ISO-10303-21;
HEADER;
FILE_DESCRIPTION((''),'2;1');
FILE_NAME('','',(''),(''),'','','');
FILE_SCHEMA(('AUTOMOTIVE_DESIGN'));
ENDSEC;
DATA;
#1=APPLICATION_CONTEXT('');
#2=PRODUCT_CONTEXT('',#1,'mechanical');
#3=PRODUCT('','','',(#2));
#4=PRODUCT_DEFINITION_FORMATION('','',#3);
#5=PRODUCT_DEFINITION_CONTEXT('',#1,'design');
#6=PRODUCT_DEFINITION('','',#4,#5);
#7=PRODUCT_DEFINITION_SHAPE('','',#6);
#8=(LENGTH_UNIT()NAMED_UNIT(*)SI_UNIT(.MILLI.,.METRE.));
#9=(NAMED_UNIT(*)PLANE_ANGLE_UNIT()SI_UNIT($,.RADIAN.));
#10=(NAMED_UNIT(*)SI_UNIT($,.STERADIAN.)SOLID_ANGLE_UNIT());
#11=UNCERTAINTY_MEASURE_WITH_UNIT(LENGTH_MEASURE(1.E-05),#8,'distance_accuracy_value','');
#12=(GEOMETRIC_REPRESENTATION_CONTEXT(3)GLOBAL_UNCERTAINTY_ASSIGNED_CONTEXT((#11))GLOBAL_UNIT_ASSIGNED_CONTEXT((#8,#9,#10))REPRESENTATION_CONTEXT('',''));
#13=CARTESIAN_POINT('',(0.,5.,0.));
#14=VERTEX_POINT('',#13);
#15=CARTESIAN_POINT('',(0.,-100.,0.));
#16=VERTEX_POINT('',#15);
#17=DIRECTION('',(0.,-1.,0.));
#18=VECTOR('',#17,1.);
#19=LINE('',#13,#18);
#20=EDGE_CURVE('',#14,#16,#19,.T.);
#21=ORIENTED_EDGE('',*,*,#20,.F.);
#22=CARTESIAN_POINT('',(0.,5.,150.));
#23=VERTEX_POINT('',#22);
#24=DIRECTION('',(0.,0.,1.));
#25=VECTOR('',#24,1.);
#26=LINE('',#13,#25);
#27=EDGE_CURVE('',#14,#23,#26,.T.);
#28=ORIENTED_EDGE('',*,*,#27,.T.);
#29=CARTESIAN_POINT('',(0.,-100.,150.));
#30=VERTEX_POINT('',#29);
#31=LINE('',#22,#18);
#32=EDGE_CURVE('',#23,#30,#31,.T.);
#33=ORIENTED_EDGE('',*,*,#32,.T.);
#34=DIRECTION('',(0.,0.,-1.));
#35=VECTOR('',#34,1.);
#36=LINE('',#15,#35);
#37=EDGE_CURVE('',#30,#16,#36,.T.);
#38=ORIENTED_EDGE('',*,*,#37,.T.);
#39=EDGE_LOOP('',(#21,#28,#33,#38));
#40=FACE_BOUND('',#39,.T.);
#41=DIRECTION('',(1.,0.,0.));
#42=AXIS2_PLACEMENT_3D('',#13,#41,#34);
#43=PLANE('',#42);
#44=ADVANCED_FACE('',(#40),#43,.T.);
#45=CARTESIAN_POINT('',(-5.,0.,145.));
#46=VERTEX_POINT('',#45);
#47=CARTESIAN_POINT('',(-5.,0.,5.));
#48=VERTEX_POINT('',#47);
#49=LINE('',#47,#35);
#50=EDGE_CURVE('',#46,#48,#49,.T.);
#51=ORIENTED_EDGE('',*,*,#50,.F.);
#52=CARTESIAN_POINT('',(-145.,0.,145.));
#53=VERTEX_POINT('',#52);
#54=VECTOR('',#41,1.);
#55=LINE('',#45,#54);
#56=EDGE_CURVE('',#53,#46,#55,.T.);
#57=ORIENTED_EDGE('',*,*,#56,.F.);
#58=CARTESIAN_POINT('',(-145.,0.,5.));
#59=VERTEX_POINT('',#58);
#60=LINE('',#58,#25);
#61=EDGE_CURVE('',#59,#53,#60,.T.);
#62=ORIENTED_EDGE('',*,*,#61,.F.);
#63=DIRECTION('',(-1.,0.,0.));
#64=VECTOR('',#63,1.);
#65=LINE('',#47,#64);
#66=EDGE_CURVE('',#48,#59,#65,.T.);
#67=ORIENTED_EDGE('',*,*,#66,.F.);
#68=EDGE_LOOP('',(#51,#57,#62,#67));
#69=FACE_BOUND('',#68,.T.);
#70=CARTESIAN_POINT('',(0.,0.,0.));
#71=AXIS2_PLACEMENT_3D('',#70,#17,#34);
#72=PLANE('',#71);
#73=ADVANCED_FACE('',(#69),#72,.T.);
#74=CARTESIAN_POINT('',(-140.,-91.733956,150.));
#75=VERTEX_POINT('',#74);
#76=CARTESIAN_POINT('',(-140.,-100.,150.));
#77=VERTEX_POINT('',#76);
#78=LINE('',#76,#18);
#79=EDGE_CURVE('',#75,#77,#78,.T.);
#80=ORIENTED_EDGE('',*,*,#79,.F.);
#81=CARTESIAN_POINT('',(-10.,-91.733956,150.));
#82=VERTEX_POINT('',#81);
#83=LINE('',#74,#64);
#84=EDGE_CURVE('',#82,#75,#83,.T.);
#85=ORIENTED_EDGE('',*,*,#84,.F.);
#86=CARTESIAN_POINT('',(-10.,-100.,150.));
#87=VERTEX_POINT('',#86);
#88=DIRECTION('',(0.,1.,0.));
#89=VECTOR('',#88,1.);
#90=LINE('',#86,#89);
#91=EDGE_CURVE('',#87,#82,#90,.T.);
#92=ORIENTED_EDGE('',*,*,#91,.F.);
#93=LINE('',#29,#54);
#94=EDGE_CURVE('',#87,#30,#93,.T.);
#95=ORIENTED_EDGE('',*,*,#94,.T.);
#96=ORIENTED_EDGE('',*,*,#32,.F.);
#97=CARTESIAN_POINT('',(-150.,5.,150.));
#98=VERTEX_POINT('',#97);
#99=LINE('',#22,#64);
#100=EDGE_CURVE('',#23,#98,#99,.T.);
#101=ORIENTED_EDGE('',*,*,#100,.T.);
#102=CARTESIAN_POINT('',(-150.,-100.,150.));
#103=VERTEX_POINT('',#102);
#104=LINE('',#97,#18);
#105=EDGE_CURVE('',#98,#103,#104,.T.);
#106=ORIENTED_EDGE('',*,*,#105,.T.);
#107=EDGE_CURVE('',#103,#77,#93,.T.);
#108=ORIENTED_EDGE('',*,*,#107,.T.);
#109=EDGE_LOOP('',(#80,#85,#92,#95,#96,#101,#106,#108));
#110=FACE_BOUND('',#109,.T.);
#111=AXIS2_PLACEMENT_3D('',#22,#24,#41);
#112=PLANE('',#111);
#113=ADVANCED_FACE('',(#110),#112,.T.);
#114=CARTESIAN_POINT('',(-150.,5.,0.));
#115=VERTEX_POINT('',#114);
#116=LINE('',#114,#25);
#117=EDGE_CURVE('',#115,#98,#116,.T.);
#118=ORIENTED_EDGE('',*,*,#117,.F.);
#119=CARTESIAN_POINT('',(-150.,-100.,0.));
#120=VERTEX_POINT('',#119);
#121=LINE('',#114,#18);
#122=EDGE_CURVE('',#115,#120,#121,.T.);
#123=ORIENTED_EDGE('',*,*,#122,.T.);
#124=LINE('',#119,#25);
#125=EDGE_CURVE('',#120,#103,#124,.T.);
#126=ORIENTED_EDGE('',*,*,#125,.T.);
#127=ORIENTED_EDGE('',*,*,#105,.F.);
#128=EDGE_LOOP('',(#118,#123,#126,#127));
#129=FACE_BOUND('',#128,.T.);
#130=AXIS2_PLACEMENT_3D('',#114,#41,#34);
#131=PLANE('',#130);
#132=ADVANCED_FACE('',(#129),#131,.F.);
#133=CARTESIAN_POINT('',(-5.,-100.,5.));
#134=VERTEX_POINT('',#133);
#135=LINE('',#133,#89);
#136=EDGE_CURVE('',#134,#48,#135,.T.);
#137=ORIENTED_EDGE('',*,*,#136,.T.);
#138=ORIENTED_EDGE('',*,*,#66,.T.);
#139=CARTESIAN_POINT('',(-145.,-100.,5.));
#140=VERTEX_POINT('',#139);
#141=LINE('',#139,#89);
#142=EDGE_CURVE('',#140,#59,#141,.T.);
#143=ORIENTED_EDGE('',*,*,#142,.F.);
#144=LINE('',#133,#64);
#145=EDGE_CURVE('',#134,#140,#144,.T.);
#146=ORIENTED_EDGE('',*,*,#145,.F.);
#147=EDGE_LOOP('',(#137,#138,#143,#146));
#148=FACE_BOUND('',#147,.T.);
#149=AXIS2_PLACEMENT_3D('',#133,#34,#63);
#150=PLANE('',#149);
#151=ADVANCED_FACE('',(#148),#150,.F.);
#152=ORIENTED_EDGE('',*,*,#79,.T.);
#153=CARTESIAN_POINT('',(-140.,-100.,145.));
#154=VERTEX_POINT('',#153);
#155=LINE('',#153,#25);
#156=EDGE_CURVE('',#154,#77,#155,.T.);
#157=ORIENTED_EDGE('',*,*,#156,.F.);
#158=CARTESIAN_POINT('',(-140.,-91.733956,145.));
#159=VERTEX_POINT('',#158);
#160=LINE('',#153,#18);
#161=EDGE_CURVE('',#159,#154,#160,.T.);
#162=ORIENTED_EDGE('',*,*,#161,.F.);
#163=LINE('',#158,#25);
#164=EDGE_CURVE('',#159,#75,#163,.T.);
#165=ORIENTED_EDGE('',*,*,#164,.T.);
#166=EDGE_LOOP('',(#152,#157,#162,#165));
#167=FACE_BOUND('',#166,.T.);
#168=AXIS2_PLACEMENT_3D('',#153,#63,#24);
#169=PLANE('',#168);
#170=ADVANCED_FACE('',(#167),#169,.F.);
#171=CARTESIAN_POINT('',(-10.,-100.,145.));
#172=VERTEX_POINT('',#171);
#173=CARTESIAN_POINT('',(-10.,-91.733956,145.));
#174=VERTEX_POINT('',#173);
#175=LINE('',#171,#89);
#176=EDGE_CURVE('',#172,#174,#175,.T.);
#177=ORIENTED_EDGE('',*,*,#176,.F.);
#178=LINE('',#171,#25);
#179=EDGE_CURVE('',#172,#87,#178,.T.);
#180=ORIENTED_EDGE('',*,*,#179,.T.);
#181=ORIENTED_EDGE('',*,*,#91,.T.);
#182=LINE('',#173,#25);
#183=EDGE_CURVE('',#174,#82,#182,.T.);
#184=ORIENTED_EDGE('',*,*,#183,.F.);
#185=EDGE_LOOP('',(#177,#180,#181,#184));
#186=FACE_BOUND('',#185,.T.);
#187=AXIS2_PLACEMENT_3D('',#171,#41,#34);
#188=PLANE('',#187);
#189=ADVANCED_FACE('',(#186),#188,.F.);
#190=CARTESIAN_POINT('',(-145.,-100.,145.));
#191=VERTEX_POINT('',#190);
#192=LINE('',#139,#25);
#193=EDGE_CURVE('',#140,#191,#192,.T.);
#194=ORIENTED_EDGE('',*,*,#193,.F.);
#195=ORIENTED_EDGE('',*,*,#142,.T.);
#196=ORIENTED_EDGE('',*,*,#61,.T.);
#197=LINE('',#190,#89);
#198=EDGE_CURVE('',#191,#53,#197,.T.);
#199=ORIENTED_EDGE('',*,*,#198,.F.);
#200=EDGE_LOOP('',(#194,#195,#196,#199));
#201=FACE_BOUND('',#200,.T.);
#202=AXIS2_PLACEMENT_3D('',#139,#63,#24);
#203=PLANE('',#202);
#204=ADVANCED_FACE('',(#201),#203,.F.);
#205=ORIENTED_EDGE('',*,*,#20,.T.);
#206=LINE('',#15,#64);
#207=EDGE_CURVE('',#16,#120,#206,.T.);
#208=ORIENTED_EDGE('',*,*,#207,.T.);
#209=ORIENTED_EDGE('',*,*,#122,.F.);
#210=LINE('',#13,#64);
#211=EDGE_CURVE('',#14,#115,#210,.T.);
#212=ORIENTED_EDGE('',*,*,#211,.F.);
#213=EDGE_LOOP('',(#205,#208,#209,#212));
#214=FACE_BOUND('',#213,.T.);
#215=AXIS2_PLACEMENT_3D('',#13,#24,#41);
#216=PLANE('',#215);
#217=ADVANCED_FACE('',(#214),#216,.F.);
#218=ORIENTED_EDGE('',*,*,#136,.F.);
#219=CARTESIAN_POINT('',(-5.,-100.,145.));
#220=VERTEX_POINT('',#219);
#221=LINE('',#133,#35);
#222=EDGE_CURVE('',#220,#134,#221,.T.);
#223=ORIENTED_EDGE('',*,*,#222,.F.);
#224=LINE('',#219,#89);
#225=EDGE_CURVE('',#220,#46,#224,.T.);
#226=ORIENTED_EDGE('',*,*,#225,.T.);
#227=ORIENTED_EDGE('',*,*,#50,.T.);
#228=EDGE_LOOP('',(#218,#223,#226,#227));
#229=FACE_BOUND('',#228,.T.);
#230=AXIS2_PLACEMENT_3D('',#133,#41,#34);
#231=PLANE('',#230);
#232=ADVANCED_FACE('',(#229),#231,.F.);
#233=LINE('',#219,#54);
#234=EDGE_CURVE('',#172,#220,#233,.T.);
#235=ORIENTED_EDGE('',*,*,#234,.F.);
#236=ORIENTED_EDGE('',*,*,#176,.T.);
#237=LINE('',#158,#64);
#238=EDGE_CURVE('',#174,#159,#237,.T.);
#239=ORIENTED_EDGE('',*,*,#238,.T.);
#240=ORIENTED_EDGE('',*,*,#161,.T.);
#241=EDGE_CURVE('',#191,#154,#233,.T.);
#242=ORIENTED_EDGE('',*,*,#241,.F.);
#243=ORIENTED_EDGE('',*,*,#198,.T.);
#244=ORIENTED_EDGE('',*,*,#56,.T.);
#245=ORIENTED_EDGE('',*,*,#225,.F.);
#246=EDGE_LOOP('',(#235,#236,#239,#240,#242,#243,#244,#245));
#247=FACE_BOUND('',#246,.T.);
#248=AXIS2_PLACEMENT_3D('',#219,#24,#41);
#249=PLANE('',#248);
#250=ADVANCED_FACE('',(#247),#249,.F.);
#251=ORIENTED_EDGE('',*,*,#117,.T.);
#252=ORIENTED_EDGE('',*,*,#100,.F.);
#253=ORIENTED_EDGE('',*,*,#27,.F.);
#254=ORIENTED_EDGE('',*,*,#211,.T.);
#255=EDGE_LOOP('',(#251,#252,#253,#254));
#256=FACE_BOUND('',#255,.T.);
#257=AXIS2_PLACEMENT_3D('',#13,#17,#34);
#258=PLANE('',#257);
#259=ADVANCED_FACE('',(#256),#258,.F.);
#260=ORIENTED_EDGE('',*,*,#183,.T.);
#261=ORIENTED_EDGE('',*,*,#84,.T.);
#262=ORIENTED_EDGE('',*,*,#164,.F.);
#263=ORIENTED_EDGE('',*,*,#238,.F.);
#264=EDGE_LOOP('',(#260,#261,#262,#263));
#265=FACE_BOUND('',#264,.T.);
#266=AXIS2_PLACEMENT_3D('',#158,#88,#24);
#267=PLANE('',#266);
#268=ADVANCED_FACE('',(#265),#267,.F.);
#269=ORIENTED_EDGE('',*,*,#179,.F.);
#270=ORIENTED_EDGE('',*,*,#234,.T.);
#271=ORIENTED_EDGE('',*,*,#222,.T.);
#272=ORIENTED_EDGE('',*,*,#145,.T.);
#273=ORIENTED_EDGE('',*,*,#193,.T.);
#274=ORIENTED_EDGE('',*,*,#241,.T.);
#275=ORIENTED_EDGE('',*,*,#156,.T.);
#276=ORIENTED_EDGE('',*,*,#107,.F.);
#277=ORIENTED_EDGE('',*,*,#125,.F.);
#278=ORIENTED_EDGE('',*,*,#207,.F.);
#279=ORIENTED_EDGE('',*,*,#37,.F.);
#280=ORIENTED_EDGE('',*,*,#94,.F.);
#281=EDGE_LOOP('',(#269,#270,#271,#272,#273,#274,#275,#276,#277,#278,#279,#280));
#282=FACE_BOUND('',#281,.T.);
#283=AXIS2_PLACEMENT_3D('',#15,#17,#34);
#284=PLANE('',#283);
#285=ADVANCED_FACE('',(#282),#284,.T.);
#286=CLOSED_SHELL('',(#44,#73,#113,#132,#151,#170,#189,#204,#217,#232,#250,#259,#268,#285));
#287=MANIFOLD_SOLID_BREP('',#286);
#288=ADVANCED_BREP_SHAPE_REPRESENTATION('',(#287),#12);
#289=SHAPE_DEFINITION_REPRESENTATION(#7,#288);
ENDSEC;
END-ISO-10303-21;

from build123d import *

# Parameters (mm, degrees)
SKETCH_1_W          = 150
SKETCH_1_H          = 150
EXTRUDE_2_DEPTH     = 5
SKETCH_1_3_W        = 150
SKETCH_1_3_H        = 150
SKETCH_1_3_W_2      = 140
SKETCH_1_3_H_2      = 140
EXTRUDE_3_DEPTH     = 100
SKETCH_3_W          = 130
SKETCH_3_H          = 8.266043605
CUT_EXTRUDE_1_DEPTH = 5


with BuildPart() as part:
    # 草图1 → 凸台-拉伸2 (new body)
    with BuildSketch(Plane(origin=(0, 0, 0), x_dir=(1, 0, 0), z_dir=(0, 1, 0))):
        with Locations((-75, -75)):
            Rectangle(SKETCH_1_W, SKETCH_1_H)
    extrude(amount=EXTRUDE_2_DEPTH)

    # 草图1<3> → 凸台-拉伸3 (add)
    with BuildSketch(Plane(origin=(0, 0, 0), x_dir=(1, 0, 0), z_dir=(0, 1, 0))):
        with Locations((-75, -75)):
            Rectangle(SKETCH_1_3_W, SKETCH_1_3_H)
        with Locations((-75, -75)):
            Rectangle(SKETCH_1_3_W_2, SKETCH_1_3_H_2, mode=Mode.SUBTRACT)
    extrude(amount=-EXTRUDE_3_DEPTH)

    # 草图3 → 切除-拉伸1 (cut)
    with BuildSketch(Plane.XY.offset(150)):
        with Locations((-75, -95.866978198)):
            Rectangle(SKETCH_3_W, SKETCH_3_H)
    extrude(amount=-CUT_EXTRUDE_1_DEPTH, mode=Mode.SUBTRACT)


solid = part.part
